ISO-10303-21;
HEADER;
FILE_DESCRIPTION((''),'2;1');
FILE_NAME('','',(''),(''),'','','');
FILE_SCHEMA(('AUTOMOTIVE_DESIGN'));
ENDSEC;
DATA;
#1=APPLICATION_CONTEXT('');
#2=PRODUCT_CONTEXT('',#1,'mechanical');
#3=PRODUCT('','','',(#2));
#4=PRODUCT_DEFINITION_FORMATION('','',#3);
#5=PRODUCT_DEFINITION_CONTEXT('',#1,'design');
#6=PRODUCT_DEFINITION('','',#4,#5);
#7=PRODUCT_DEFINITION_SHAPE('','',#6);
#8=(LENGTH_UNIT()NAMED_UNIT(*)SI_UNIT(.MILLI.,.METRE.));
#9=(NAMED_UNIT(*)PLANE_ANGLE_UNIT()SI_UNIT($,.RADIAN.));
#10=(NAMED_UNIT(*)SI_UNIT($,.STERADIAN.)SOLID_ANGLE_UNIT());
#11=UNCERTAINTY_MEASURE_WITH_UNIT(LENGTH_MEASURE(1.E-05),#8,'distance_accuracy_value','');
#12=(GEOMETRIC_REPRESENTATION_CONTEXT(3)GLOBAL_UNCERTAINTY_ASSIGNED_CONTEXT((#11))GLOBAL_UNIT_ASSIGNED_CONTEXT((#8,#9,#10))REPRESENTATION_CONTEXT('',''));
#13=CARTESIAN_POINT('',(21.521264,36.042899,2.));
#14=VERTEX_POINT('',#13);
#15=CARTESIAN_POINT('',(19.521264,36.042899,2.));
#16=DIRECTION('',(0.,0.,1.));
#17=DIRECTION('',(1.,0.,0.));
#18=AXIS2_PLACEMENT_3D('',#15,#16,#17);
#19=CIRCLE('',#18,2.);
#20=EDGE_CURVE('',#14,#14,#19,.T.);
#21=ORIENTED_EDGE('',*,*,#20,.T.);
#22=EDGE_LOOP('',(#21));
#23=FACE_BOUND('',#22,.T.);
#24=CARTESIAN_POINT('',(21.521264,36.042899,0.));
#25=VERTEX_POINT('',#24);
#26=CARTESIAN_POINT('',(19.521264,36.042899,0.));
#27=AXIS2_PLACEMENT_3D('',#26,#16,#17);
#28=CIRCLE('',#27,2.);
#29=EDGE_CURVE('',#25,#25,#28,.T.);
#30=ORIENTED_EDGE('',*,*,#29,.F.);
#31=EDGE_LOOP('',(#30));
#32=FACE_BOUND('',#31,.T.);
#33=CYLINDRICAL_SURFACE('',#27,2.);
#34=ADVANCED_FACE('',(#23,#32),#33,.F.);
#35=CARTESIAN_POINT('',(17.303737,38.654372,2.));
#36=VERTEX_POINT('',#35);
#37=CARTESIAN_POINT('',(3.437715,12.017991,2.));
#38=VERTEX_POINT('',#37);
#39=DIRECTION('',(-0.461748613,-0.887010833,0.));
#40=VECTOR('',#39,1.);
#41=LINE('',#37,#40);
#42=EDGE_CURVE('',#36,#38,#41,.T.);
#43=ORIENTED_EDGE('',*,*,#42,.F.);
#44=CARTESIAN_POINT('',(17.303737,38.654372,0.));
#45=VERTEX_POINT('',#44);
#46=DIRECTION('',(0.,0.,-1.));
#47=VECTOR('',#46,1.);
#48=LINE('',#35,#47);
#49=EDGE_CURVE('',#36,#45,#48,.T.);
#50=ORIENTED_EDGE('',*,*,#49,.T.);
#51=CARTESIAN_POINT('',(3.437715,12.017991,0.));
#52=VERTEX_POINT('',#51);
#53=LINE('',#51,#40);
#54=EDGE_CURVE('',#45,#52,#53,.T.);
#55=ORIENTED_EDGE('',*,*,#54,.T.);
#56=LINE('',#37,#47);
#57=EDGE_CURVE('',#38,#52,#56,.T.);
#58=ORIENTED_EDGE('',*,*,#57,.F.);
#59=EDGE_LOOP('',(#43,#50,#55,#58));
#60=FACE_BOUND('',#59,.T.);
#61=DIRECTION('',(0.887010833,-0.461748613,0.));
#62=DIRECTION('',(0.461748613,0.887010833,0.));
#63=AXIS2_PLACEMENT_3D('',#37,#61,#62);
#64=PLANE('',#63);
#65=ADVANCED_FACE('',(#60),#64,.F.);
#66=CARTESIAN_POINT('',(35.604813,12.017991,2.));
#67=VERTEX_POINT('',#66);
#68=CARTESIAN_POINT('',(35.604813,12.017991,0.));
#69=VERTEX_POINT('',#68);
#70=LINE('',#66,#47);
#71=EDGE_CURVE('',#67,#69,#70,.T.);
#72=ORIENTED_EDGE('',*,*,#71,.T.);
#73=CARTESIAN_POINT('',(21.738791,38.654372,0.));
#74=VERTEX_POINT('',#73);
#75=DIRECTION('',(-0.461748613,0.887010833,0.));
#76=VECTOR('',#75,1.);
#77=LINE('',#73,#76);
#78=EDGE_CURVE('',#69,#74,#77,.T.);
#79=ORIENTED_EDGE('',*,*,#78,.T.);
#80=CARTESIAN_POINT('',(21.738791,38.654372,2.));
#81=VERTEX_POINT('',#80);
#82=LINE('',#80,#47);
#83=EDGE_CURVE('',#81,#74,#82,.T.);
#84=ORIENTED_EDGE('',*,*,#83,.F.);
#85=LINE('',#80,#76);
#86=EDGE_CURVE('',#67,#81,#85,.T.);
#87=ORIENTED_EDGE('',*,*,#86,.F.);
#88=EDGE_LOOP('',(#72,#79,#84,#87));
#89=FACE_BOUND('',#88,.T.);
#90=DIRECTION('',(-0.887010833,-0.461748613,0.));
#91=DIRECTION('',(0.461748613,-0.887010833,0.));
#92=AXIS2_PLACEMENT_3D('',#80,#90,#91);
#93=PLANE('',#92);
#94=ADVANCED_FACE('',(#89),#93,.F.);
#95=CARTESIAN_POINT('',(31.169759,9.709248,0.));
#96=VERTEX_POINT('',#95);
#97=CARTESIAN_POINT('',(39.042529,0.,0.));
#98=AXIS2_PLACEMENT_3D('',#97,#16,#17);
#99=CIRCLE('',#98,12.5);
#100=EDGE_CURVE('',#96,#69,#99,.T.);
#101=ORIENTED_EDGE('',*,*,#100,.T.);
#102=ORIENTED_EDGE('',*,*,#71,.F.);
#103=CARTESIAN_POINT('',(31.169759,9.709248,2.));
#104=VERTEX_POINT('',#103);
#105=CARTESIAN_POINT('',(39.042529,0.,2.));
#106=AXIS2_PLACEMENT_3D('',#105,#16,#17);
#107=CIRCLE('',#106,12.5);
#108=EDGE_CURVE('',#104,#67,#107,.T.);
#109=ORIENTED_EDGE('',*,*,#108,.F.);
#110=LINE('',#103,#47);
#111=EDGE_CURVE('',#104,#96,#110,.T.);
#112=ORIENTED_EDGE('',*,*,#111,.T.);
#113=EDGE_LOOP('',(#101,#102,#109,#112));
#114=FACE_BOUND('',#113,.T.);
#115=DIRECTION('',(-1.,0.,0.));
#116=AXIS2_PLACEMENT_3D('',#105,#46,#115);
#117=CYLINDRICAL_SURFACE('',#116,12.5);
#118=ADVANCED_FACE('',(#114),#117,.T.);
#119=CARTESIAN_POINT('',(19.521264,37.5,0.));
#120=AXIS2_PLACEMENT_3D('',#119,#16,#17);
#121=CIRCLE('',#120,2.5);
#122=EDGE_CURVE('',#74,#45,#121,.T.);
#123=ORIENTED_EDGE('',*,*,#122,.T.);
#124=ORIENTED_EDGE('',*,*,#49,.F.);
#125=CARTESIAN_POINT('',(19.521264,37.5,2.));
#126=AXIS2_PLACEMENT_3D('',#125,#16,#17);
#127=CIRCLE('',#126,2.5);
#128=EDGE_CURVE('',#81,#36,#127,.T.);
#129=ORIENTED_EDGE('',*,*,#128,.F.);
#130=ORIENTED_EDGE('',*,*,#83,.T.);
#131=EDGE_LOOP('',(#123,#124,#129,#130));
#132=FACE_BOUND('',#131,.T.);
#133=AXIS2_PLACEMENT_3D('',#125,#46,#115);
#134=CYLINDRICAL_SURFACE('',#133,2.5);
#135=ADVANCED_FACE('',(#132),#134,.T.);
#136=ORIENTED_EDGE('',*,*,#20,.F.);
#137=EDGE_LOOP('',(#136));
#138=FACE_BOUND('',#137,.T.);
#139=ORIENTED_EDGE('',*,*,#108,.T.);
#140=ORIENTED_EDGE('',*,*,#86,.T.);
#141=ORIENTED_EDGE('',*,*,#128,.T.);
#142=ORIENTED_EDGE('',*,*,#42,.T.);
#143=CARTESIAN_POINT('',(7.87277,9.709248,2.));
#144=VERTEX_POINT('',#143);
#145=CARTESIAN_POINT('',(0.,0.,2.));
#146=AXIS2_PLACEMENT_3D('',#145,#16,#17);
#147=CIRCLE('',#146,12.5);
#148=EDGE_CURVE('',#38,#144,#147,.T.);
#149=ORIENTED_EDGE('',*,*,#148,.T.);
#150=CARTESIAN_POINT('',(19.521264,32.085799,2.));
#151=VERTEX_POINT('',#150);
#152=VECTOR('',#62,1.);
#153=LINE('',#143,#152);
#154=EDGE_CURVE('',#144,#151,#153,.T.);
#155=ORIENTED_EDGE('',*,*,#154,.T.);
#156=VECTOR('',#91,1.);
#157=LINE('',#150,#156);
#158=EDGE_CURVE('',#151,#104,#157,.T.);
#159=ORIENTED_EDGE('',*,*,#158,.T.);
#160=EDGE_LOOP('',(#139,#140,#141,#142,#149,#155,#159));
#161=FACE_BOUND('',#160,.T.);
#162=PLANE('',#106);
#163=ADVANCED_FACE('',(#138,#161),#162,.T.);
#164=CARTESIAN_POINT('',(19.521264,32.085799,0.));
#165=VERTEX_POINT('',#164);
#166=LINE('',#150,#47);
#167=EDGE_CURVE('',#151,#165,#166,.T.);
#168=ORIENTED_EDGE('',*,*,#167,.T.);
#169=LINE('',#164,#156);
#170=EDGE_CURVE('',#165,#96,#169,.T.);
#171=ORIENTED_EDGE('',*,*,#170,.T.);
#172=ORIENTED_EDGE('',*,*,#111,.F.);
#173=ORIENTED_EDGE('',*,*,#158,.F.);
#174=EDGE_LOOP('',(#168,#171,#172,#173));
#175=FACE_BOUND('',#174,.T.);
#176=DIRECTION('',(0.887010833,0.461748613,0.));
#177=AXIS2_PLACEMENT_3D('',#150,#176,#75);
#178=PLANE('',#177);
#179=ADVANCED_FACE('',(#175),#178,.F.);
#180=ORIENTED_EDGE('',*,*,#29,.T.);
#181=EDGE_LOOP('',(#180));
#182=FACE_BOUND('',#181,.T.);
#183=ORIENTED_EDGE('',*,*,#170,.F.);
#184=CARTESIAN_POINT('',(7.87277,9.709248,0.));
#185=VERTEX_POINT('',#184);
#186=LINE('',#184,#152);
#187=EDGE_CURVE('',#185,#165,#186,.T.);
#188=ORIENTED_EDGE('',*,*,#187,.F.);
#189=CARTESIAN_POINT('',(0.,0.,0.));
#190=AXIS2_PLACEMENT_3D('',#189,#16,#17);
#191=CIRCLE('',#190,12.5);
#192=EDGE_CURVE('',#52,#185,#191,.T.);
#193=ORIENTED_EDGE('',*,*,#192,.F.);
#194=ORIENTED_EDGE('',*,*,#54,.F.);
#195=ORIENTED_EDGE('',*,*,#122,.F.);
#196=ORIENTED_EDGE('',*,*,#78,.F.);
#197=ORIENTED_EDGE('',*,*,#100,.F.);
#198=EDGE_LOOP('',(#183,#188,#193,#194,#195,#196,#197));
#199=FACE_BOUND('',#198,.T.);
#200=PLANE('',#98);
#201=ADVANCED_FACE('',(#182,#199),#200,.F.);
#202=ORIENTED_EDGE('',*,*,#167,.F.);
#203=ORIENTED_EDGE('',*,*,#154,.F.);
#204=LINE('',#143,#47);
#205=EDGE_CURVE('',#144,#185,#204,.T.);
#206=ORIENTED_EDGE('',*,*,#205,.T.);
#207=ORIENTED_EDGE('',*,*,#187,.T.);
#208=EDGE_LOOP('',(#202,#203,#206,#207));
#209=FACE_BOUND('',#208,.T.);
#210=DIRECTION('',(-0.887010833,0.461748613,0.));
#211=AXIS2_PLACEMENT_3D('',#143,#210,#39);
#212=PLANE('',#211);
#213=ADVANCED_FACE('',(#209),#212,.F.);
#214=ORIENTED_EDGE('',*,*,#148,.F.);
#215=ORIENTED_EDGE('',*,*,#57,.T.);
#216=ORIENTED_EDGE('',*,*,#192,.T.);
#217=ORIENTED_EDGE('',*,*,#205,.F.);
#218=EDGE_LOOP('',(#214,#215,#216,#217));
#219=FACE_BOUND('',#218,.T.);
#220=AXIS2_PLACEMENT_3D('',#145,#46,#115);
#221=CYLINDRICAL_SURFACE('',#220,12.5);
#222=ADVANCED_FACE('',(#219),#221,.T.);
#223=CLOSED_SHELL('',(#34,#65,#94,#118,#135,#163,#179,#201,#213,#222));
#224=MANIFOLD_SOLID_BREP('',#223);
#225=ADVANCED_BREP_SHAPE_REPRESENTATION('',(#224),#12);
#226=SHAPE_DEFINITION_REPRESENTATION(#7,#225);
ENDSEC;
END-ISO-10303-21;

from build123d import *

# Parameters (mm, degrees)
BOSS_EXTRUDE1_DEPTH = 2
SKETCH2_R           = 2
CUT_EXTRUDE1_DEPTH  = 2


with BuildPart() as part:
    # Sketch1 → Boss-Extrude1 (new body)
    with BuildSketch(Plane.XY):
        with BuildLine():
            Line((19.521264396, 32.085798574), (31.169759249, 9.709248155))
            ThreePointArc((31.169759249, 9.709248155), (44.814386457, -11.087635415), (35.604813415, 12.017991221))
            Line((35.604813415, 12.017991221), (21.738791479, 38.654371533))
            ThreePointArc((21.738791479, 38.654371533), (19.521264396, 40), (17.303737313, 38.654371533))
            Line((17.303737313, 38.654371533), (3.437715376, 12.017991221))
            ThreePointArc((3.437715376, 12.017991221), (-5.771857665, -11.087635415), (7.872769542, 9.709248155))
            Line((7.872769542, 9.709248155), (19.521264396, 32.085798574))
        make_face()
    extrude(amount=BOSS_EXTRUDE1_DEPTH)

    # Sketch2 → Cut-Extrude1 (cut)
    with BuildSketch(Plane.XY.offset(2)):
        with Locations((19.521264396, 36.042899287)):
            Circle(SKETCH2_R)
    extrude(amount=-CUT_EXTRUDE1_DEPTH, mode=Mode.SUBTRACT)


solid = part.part
